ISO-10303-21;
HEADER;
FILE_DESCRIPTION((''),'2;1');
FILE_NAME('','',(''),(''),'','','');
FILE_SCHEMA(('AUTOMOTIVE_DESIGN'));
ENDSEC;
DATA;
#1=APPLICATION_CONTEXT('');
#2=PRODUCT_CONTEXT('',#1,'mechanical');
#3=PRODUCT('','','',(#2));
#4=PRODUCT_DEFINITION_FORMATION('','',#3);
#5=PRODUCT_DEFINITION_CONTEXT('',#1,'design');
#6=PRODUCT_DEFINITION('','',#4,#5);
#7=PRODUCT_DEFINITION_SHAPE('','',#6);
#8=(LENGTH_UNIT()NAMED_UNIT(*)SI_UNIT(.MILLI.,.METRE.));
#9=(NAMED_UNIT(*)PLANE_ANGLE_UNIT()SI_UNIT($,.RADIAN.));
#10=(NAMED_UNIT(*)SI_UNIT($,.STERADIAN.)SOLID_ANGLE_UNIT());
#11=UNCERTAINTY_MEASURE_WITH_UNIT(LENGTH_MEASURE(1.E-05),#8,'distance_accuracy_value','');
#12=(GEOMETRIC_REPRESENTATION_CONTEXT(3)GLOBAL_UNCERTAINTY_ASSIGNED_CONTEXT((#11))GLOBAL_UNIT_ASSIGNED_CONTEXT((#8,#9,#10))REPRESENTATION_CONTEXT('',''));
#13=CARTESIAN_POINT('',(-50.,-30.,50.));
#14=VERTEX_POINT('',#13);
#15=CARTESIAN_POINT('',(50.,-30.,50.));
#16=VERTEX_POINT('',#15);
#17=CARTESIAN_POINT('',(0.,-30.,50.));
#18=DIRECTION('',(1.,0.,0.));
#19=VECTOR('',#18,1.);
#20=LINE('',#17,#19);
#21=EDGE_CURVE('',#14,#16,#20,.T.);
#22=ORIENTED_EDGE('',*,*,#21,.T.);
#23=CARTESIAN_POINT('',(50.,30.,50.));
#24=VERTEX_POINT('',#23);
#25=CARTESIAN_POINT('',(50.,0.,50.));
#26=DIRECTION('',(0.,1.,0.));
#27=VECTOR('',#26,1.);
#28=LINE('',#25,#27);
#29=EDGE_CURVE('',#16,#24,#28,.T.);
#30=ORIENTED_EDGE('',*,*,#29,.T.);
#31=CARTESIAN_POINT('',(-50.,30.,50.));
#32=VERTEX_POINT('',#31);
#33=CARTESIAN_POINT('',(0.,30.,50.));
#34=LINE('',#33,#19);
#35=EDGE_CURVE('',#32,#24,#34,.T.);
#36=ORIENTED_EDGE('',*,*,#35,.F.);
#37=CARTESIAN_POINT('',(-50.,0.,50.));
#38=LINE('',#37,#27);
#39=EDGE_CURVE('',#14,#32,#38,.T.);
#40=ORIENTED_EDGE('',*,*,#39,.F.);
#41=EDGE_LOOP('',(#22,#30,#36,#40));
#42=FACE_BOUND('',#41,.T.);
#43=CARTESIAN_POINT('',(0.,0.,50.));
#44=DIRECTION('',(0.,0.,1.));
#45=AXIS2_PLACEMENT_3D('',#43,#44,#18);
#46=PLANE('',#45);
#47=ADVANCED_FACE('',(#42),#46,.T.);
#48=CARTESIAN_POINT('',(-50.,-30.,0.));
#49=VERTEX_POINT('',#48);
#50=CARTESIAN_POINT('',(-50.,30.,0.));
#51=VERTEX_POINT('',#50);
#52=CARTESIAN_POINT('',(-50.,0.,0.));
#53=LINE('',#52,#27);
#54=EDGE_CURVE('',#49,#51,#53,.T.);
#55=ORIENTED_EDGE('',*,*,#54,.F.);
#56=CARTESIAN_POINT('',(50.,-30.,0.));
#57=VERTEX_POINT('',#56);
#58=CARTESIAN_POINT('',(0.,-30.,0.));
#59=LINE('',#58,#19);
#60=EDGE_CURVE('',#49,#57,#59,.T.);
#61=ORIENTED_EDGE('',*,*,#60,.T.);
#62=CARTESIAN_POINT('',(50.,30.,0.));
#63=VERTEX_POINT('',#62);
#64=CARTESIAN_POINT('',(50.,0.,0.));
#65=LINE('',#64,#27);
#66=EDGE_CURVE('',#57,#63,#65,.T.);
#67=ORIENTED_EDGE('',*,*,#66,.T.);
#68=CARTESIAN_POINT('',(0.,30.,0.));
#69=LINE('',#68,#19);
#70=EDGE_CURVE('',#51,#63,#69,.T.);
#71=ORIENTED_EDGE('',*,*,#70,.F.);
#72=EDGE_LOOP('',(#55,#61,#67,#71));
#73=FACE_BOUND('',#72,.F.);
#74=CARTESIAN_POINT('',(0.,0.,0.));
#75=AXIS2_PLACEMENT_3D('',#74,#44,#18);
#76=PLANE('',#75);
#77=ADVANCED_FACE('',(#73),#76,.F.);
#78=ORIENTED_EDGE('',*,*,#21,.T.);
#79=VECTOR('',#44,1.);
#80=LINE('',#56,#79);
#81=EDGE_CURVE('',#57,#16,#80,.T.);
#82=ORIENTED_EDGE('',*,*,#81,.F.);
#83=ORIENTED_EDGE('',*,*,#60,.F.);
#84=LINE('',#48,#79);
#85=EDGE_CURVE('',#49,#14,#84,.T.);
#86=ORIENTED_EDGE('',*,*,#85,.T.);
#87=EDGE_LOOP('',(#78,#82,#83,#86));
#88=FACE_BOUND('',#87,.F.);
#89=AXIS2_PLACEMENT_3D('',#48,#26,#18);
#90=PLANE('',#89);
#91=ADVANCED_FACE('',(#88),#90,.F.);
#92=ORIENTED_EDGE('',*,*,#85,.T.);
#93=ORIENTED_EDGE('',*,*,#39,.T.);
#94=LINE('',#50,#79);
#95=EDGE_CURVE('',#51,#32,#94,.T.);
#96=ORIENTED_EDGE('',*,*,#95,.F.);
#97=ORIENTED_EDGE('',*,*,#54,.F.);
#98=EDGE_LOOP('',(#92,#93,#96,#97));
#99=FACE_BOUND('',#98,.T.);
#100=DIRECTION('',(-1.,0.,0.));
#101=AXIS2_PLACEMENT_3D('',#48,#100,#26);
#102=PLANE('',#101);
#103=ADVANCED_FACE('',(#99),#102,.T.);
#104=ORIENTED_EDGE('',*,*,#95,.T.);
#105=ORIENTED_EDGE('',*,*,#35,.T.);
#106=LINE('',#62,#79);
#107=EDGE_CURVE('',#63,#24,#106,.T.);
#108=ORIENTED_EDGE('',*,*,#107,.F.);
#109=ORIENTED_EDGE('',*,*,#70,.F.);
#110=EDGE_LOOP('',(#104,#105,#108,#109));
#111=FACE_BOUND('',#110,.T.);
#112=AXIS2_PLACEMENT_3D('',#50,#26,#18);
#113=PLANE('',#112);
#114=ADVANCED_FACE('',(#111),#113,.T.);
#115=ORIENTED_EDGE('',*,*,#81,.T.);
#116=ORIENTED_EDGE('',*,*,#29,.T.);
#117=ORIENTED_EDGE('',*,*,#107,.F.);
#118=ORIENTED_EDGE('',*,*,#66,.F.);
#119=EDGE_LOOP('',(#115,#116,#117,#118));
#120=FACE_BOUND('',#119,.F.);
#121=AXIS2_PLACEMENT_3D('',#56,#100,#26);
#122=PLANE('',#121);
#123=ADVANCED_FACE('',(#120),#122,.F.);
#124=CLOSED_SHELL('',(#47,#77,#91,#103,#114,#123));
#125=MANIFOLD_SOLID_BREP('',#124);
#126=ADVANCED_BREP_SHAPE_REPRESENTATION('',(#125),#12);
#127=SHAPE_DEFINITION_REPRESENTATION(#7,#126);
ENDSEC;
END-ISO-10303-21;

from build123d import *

# Parameters (mm, degrees)
SKETCH_W      = 100
SKETCH_H      = 60
EXTRUDE_DEPTH = 50


with BuildPart() as part:
    # Sketch → Extrude (new body)
    with BuildSketch(Plane.XY):
        Rectangle(SKETCH_W, SKETCH_H)
    extrude(amount=EXTRUDE_DEPTH)


solid = part.part
